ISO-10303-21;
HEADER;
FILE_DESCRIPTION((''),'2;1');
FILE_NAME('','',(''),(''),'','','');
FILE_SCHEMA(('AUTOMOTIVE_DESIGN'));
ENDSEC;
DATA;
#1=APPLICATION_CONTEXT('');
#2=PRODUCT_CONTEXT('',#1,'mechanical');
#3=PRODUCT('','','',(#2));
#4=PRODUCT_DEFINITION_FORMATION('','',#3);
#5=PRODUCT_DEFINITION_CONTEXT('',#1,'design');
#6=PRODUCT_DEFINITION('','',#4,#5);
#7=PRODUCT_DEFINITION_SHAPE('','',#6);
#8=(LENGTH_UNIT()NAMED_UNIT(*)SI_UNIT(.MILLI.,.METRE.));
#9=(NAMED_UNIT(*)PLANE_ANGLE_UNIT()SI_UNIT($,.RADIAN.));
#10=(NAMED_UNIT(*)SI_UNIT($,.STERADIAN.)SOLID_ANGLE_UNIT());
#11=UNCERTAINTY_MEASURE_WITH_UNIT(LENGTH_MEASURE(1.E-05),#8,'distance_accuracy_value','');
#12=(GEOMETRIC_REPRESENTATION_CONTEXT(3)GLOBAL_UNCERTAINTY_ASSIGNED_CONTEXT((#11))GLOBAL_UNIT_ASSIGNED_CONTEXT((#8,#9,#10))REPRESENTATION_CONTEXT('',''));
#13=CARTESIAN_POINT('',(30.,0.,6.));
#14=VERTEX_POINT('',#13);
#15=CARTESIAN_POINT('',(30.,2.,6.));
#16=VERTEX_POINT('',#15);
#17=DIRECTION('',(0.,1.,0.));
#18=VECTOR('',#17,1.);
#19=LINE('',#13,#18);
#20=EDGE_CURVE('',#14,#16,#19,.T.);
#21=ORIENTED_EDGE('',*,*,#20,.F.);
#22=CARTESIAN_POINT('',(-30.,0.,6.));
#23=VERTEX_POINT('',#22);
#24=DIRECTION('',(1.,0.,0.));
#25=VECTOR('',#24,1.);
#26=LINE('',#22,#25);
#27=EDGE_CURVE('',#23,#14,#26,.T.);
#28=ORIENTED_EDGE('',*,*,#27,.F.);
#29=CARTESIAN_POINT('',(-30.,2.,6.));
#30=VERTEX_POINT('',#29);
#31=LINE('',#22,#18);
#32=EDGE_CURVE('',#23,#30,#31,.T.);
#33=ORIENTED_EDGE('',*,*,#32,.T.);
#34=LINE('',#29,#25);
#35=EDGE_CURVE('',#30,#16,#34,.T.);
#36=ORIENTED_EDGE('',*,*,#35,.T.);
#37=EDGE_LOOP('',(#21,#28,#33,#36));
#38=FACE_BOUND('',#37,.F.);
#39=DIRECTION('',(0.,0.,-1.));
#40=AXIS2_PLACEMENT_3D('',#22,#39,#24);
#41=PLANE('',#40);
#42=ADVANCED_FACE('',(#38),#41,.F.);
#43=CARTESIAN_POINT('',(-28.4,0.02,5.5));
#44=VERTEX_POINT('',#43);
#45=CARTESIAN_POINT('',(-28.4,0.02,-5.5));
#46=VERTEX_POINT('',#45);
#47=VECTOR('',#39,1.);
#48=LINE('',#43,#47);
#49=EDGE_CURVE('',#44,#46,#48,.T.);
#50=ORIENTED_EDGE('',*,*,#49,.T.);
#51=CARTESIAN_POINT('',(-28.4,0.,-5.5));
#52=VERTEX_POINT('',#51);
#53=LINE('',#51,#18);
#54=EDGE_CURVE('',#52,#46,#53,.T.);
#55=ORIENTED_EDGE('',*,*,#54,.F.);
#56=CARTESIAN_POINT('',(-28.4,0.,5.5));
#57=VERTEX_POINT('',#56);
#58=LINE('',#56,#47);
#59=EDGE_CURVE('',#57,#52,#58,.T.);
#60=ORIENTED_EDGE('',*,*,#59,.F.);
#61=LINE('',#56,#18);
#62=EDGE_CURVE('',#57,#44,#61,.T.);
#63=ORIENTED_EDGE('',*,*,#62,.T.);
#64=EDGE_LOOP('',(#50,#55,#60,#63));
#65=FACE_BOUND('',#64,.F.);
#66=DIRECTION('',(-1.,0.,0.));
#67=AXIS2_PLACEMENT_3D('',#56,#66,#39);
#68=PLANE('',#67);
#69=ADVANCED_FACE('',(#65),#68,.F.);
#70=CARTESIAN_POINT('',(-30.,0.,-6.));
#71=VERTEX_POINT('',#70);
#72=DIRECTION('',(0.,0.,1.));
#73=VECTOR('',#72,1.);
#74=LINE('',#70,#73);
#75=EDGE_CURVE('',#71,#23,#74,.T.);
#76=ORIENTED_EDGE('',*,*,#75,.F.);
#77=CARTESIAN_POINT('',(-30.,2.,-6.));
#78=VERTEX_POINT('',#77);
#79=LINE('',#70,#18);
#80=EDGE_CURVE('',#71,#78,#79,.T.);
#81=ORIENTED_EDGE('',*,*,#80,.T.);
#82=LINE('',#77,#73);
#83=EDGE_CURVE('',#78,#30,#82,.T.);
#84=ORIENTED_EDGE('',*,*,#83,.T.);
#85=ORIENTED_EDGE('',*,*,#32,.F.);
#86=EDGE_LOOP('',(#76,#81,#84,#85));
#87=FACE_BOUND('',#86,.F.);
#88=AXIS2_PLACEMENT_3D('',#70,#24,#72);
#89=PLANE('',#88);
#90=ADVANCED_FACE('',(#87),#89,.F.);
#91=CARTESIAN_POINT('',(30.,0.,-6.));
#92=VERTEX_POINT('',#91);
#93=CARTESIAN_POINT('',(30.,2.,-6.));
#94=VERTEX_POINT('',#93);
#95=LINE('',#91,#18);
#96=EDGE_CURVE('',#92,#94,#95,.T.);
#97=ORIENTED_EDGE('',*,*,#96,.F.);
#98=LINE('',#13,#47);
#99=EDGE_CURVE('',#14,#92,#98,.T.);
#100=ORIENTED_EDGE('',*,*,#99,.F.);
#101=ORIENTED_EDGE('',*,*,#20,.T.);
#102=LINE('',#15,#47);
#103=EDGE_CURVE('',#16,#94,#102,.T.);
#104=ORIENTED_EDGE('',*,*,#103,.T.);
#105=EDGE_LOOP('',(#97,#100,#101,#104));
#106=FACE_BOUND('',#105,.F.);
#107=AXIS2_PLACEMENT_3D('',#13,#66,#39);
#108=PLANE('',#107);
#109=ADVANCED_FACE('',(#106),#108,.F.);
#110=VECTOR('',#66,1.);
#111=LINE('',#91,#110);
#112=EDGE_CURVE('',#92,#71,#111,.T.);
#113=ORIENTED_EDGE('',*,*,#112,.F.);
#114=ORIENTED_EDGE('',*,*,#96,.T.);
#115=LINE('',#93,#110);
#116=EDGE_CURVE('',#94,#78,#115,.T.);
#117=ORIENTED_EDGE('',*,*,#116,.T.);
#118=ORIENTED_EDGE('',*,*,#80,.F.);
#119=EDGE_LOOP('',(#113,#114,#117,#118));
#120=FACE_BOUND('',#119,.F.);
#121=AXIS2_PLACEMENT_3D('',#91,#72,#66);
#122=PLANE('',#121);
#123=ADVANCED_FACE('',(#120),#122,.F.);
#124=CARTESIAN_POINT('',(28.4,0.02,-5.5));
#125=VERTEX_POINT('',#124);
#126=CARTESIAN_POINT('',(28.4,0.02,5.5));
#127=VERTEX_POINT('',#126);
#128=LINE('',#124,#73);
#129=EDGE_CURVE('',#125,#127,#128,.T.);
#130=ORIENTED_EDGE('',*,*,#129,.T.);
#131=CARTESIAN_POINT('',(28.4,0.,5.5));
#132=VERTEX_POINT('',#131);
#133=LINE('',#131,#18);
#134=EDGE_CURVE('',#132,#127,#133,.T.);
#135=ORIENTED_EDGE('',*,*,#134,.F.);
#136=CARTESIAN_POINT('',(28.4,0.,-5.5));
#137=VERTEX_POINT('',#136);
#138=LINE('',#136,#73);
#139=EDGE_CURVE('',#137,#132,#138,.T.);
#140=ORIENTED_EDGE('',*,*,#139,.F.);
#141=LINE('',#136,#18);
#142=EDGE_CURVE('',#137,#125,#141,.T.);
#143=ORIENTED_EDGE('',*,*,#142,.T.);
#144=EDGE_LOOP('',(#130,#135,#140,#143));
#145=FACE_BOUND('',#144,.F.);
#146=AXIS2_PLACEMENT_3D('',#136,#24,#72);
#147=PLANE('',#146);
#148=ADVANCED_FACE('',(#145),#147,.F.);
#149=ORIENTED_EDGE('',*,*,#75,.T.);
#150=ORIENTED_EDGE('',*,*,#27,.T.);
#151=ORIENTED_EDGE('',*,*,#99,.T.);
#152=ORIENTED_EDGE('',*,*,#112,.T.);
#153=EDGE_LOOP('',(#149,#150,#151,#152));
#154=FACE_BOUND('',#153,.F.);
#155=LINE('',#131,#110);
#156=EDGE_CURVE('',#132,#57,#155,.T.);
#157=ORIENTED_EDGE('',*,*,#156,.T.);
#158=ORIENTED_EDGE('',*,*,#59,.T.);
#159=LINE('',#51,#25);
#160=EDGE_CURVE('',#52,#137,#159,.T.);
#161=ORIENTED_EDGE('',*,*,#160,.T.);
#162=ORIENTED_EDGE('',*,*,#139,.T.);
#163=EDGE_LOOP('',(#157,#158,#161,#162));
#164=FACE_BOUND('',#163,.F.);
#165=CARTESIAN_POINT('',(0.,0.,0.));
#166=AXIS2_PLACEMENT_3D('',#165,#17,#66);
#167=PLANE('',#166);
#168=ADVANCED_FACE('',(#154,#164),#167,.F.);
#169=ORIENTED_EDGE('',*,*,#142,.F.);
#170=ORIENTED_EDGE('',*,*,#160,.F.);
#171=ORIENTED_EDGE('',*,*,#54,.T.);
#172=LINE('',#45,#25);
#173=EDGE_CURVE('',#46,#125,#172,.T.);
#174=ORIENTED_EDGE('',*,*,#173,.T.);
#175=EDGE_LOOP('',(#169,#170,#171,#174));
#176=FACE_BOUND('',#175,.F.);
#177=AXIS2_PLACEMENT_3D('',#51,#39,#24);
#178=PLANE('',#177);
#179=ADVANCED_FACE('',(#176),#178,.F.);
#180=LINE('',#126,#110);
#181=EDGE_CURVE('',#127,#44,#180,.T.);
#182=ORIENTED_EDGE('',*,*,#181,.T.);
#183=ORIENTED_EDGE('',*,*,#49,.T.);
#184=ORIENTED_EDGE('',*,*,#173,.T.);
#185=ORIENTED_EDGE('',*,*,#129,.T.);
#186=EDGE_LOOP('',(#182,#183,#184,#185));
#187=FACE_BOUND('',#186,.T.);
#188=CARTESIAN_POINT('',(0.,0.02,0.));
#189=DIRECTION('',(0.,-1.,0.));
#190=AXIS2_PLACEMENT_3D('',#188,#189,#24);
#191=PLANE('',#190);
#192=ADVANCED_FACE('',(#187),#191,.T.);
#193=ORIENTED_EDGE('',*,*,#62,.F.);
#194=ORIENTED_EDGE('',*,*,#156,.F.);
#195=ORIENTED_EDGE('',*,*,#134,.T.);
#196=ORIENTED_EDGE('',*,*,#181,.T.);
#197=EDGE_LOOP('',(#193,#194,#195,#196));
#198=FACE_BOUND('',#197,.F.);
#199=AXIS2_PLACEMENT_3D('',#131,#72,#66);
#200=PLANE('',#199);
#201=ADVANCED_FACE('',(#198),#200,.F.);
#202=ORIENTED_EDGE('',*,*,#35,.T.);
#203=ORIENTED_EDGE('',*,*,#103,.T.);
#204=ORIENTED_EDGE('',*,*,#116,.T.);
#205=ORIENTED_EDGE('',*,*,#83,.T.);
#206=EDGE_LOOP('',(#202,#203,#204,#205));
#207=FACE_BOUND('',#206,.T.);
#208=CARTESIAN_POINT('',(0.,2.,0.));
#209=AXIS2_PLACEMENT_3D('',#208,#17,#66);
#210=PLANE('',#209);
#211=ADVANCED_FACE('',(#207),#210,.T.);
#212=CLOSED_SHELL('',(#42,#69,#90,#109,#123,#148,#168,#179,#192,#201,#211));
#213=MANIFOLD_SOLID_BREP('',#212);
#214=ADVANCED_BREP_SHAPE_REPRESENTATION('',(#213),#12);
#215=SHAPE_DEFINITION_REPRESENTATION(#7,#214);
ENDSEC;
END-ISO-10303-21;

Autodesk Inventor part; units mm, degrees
ref_plane "YZ Plane" through (0, 0, 0) normal (1, 0, 0) x (0, 1, 0)
ref_plane "XZ Plane" through (0, 0, 0) normal (0, 1, 0) x (-1, 0, 0)
ref_plane "XY Plane" through (0, 0, 0) normal (0, 0, 1) x (1, 0, 0)
sketch "Sketch1" plane through (0, 0, 0) normal (0, 1, 0) x (-1, 0, 0)
  line L0 (30, 6) -> (-30, 6)
  line L1 (-30, 6) -> (-30, -6)
  line L2 (-30, -6) -> (30, -6)
  line L3 (30, -6) -> (30, 6)
  line L4 (30, 6) -> (-30, -6) construction
  line L5 (-30, 6) -> (30, -6) construction
  point P0 (0, 0)
  dimension "d0" = 60
  dimension "d1" = 12
extrude "Extrusion1" add sketch "Sketch1" along normal blind 2
sketch "Sketch2" plane through (0, 0, 0) normal (0, -1, 0) x (1, 0, 0)
  line L0 (28.4, 5.5) -> (-28.4, 5.5)
  line L1 (-28.4, 5.5) -> (-28.4, -5.5)
  line L2 (-28.4, -5.5) -> (28.4, -5.5)
  line L3 (28.4, -5.5) -> (28.4, 5.5)
  line L4 (28.4, 5.5) -> (-28.4, -5.5) construction
  line L5 (-28.4, 5.5) -> (28.4, -5.5) construction
  line L6 (30, -6) -> (-30, -6) construction
  line L7 (30, 6) -> (30, -6) construction
  point P0 (0, 0)
  dimension "d4" = 0.5
  dimension "d5" = 1.6
extrude "Extrusion2" cut sketch "Sketch2" against normal blind 0.02
properties part number "Acrylic Plate" material "Polycarbonate, Clear"
